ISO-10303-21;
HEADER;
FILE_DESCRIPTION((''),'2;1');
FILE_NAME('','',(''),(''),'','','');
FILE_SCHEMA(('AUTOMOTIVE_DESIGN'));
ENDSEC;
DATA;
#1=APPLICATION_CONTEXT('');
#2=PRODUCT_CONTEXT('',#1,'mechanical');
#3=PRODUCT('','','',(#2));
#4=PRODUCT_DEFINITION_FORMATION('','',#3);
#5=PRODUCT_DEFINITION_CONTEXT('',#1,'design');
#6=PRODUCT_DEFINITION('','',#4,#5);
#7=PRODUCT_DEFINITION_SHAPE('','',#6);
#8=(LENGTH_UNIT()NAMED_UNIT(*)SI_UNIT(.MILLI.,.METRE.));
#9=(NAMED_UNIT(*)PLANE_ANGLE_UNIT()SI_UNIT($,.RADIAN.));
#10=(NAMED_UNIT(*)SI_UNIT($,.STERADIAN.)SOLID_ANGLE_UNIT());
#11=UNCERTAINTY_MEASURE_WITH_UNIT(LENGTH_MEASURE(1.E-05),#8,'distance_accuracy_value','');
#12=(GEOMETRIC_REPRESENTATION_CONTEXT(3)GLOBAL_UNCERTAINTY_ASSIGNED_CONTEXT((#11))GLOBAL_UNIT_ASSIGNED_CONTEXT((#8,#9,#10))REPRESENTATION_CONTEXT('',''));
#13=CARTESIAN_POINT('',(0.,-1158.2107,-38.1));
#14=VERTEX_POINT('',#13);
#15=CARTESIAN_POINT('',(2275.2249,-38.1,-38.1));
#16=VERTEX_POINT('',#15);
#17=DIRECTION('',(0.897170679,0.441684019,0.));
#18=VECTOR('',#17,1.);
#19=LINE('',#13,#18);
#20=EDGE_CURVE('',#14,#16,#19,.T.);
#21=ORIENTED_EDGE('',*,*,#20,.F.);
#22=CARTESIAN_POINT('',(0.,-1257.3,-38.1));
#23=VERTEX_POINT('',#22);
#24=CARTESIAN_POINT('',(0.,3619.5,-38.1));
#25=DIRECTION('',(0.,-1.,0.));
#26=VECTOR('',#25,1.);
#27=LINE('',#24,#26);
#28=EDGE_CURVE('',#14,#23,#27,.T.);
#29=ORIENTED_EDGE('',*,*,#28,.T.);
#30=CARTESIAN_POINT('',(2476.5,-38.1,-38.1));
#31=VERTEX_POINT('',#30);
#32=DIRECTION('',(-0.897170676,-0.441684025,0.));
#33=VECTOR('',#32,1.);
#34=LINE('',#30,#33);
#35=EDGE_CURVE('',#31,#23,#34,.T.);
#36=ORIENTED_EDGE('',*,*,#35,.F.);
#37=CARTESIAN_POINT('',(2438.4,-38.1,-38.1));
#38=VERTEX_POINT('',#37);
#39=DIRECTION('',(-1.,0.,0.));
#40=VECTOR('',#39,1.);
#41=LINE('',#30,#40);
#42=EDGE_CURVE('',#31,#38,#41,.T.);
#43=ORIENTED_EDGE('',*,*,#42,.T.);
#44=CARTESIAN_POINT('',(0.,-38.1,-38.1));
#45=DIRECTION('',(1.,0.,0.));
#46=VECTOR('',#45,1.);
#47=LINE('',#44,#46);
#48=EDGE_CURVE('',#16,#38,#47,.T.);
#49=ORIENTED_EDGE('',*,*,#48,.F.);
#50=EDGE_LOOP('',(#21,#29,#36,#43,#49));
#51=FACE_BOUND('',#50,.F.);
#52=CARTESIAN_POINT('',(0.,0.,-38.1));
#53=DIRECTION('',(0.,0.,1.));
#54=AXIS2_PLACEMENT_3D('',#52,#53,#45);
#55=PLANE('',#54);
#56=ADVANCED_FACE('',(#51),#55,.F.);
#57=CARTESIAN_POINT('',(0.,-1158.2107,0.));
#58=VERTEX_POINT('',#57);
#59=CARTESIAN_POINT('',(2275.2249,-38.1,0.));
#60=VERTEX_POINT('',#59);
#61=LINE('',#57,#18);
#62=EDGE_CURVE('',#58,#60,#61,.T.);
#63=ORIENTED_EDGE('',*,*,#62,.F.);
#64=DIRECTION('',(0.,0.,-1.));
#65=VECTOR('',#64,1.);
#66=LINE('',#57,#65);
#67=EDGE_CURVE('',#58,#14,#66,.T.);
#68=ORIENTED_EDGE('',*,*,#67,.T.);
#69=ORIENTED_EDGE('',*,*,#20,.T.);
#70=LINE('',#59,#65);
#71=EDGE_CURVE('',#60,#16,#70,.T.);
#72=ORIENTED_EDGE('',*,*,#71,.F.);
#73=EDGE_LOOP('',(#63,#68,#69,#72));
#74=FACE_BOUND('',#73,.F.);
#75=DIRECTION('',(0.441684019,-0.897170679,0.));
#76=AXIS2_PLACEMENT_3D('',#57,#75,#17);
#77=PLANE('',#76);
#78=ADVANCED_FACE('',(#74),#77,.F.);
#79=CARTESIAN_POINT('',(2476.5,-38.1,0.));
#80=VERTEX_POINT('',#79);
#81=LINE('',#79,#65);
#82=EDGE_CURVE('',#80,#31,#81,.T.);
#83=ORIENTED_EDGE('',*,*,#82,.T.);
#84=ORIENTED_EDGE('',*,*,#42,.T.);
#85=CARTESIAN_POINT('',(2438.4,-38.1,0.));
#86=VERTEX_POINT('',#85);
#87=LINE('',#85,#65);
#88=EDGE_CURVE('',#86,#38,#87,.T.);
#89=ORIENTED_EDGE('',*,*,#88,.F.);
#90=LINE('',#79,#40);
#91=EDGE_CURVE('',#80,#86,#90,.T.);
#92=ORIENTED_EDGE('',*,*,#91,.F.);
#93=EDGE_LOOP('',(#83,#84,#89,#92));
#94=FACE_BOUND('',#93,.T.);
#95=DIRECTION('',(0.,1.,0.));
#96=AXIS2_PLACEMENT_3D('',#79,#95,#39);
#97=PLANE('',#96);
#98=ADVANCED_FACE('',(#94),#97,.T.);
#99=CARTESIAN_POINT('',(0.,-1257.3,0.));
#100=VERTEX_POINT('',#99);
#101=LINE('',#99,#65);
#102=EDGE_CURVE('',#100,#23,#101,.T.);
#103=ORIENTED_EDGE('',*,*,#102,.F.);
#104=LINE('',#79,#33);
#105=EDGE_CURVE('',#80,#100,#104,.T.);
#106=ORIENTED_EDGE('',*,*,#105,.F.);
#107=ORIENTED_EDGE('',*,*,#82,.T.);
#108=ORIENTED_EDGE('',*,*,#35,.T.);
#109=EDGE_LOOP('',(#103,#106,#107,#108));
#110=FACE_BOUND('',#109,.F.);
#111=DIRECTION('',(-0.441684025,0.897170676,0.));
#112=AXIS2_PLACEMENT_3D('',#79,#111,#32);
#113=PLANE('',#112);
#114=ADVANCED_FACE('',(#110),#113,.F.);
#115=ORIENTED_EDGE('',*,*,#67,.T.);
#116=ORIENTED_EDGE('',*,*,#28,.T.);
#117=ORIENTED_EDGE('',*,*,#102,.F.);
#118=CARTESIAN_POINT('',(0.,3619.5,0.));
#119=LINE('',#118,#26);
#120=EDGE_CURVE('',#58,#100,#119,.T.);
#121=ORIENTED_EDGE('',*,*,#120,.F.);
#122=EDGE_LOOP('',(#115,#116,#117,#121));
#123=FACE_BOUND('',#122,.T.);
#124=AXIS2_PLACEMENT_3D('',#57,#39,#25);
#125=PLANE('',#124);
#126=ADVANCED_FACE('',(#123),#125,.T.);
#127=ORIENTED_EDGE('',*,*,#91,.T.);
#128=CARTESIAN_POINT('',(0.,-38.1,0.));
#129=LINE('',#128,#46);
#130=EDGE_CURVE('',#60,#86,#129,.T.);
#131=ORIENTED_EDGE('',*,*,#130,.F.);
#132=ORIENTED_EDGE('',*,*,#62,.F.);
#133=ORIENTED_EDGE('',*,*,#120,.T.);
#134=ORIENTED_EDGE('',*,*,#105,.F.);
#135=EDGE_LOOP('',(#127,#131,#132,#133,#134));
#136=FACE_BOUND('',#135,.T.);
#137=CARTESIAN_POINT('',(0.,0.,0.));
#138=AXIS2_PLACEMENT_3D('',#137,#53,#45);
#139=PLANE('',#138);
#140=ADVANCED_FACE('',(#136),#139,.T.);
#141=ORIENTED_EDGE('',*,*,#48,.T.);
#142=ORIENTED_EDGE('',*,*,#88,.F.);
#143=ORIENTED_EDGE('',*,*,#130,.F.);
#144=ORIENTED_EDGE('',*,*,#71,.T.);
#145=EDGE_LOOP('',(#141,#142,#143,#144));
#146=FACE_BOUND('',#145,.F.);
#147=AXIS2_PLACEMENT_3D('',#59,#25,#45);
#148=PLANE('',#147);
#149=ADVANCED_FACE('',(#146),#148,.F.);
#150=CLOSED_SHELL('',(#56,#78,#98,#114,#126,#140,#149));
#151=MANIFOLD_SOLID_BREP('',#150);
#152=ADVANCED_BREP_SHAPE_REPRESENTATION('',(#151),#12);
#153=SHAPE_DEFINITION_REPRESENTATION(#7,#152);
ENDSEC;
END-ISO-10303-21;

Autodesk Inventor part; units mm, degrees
ref_plane "YZ Plane" through (0, 0, 0) normal (1, 0, 0) x (0, 1, 0)
ref_plane "XZ Plane" through (0, 0, 0) normal (0, 1, 0) x (-1, 0, 0)
ref_plane "XY Plane" through (0, 0, 0) normal (0, 0, 1) x (1, 0, 0)
sketch "Sketch1" plane through (0, 0, 0) normal (0, 0, 1) x (1, 0, 0)
  line L0 (0, 3619.5) -> (0, -1257.3) projected
  line L1 (0, -38.1) -> (2438.4, -38.1) projected
  line L2 (2476.5, -38.1) -> (2438.4, -38.1) projected
  line L3 (2476.5, -38.1) -> (0, -1257.3)
  line L4 (0, -1158.2107) -> (2275.2249, -38.1)
  line L5 (2275.2249, -38.1) -> (2476.5, -38.1)
  line L6 (0, -1257.3) -> (0, -1158.2107)
  point P0 (0, 0)
  dimension "d0" = 88.9
extrude "Extrusion1" add sketch "Sketch1" against normal blind 38.1 contours L4 L1 L2 L3 L0
properties part number "s48'x2x4"
